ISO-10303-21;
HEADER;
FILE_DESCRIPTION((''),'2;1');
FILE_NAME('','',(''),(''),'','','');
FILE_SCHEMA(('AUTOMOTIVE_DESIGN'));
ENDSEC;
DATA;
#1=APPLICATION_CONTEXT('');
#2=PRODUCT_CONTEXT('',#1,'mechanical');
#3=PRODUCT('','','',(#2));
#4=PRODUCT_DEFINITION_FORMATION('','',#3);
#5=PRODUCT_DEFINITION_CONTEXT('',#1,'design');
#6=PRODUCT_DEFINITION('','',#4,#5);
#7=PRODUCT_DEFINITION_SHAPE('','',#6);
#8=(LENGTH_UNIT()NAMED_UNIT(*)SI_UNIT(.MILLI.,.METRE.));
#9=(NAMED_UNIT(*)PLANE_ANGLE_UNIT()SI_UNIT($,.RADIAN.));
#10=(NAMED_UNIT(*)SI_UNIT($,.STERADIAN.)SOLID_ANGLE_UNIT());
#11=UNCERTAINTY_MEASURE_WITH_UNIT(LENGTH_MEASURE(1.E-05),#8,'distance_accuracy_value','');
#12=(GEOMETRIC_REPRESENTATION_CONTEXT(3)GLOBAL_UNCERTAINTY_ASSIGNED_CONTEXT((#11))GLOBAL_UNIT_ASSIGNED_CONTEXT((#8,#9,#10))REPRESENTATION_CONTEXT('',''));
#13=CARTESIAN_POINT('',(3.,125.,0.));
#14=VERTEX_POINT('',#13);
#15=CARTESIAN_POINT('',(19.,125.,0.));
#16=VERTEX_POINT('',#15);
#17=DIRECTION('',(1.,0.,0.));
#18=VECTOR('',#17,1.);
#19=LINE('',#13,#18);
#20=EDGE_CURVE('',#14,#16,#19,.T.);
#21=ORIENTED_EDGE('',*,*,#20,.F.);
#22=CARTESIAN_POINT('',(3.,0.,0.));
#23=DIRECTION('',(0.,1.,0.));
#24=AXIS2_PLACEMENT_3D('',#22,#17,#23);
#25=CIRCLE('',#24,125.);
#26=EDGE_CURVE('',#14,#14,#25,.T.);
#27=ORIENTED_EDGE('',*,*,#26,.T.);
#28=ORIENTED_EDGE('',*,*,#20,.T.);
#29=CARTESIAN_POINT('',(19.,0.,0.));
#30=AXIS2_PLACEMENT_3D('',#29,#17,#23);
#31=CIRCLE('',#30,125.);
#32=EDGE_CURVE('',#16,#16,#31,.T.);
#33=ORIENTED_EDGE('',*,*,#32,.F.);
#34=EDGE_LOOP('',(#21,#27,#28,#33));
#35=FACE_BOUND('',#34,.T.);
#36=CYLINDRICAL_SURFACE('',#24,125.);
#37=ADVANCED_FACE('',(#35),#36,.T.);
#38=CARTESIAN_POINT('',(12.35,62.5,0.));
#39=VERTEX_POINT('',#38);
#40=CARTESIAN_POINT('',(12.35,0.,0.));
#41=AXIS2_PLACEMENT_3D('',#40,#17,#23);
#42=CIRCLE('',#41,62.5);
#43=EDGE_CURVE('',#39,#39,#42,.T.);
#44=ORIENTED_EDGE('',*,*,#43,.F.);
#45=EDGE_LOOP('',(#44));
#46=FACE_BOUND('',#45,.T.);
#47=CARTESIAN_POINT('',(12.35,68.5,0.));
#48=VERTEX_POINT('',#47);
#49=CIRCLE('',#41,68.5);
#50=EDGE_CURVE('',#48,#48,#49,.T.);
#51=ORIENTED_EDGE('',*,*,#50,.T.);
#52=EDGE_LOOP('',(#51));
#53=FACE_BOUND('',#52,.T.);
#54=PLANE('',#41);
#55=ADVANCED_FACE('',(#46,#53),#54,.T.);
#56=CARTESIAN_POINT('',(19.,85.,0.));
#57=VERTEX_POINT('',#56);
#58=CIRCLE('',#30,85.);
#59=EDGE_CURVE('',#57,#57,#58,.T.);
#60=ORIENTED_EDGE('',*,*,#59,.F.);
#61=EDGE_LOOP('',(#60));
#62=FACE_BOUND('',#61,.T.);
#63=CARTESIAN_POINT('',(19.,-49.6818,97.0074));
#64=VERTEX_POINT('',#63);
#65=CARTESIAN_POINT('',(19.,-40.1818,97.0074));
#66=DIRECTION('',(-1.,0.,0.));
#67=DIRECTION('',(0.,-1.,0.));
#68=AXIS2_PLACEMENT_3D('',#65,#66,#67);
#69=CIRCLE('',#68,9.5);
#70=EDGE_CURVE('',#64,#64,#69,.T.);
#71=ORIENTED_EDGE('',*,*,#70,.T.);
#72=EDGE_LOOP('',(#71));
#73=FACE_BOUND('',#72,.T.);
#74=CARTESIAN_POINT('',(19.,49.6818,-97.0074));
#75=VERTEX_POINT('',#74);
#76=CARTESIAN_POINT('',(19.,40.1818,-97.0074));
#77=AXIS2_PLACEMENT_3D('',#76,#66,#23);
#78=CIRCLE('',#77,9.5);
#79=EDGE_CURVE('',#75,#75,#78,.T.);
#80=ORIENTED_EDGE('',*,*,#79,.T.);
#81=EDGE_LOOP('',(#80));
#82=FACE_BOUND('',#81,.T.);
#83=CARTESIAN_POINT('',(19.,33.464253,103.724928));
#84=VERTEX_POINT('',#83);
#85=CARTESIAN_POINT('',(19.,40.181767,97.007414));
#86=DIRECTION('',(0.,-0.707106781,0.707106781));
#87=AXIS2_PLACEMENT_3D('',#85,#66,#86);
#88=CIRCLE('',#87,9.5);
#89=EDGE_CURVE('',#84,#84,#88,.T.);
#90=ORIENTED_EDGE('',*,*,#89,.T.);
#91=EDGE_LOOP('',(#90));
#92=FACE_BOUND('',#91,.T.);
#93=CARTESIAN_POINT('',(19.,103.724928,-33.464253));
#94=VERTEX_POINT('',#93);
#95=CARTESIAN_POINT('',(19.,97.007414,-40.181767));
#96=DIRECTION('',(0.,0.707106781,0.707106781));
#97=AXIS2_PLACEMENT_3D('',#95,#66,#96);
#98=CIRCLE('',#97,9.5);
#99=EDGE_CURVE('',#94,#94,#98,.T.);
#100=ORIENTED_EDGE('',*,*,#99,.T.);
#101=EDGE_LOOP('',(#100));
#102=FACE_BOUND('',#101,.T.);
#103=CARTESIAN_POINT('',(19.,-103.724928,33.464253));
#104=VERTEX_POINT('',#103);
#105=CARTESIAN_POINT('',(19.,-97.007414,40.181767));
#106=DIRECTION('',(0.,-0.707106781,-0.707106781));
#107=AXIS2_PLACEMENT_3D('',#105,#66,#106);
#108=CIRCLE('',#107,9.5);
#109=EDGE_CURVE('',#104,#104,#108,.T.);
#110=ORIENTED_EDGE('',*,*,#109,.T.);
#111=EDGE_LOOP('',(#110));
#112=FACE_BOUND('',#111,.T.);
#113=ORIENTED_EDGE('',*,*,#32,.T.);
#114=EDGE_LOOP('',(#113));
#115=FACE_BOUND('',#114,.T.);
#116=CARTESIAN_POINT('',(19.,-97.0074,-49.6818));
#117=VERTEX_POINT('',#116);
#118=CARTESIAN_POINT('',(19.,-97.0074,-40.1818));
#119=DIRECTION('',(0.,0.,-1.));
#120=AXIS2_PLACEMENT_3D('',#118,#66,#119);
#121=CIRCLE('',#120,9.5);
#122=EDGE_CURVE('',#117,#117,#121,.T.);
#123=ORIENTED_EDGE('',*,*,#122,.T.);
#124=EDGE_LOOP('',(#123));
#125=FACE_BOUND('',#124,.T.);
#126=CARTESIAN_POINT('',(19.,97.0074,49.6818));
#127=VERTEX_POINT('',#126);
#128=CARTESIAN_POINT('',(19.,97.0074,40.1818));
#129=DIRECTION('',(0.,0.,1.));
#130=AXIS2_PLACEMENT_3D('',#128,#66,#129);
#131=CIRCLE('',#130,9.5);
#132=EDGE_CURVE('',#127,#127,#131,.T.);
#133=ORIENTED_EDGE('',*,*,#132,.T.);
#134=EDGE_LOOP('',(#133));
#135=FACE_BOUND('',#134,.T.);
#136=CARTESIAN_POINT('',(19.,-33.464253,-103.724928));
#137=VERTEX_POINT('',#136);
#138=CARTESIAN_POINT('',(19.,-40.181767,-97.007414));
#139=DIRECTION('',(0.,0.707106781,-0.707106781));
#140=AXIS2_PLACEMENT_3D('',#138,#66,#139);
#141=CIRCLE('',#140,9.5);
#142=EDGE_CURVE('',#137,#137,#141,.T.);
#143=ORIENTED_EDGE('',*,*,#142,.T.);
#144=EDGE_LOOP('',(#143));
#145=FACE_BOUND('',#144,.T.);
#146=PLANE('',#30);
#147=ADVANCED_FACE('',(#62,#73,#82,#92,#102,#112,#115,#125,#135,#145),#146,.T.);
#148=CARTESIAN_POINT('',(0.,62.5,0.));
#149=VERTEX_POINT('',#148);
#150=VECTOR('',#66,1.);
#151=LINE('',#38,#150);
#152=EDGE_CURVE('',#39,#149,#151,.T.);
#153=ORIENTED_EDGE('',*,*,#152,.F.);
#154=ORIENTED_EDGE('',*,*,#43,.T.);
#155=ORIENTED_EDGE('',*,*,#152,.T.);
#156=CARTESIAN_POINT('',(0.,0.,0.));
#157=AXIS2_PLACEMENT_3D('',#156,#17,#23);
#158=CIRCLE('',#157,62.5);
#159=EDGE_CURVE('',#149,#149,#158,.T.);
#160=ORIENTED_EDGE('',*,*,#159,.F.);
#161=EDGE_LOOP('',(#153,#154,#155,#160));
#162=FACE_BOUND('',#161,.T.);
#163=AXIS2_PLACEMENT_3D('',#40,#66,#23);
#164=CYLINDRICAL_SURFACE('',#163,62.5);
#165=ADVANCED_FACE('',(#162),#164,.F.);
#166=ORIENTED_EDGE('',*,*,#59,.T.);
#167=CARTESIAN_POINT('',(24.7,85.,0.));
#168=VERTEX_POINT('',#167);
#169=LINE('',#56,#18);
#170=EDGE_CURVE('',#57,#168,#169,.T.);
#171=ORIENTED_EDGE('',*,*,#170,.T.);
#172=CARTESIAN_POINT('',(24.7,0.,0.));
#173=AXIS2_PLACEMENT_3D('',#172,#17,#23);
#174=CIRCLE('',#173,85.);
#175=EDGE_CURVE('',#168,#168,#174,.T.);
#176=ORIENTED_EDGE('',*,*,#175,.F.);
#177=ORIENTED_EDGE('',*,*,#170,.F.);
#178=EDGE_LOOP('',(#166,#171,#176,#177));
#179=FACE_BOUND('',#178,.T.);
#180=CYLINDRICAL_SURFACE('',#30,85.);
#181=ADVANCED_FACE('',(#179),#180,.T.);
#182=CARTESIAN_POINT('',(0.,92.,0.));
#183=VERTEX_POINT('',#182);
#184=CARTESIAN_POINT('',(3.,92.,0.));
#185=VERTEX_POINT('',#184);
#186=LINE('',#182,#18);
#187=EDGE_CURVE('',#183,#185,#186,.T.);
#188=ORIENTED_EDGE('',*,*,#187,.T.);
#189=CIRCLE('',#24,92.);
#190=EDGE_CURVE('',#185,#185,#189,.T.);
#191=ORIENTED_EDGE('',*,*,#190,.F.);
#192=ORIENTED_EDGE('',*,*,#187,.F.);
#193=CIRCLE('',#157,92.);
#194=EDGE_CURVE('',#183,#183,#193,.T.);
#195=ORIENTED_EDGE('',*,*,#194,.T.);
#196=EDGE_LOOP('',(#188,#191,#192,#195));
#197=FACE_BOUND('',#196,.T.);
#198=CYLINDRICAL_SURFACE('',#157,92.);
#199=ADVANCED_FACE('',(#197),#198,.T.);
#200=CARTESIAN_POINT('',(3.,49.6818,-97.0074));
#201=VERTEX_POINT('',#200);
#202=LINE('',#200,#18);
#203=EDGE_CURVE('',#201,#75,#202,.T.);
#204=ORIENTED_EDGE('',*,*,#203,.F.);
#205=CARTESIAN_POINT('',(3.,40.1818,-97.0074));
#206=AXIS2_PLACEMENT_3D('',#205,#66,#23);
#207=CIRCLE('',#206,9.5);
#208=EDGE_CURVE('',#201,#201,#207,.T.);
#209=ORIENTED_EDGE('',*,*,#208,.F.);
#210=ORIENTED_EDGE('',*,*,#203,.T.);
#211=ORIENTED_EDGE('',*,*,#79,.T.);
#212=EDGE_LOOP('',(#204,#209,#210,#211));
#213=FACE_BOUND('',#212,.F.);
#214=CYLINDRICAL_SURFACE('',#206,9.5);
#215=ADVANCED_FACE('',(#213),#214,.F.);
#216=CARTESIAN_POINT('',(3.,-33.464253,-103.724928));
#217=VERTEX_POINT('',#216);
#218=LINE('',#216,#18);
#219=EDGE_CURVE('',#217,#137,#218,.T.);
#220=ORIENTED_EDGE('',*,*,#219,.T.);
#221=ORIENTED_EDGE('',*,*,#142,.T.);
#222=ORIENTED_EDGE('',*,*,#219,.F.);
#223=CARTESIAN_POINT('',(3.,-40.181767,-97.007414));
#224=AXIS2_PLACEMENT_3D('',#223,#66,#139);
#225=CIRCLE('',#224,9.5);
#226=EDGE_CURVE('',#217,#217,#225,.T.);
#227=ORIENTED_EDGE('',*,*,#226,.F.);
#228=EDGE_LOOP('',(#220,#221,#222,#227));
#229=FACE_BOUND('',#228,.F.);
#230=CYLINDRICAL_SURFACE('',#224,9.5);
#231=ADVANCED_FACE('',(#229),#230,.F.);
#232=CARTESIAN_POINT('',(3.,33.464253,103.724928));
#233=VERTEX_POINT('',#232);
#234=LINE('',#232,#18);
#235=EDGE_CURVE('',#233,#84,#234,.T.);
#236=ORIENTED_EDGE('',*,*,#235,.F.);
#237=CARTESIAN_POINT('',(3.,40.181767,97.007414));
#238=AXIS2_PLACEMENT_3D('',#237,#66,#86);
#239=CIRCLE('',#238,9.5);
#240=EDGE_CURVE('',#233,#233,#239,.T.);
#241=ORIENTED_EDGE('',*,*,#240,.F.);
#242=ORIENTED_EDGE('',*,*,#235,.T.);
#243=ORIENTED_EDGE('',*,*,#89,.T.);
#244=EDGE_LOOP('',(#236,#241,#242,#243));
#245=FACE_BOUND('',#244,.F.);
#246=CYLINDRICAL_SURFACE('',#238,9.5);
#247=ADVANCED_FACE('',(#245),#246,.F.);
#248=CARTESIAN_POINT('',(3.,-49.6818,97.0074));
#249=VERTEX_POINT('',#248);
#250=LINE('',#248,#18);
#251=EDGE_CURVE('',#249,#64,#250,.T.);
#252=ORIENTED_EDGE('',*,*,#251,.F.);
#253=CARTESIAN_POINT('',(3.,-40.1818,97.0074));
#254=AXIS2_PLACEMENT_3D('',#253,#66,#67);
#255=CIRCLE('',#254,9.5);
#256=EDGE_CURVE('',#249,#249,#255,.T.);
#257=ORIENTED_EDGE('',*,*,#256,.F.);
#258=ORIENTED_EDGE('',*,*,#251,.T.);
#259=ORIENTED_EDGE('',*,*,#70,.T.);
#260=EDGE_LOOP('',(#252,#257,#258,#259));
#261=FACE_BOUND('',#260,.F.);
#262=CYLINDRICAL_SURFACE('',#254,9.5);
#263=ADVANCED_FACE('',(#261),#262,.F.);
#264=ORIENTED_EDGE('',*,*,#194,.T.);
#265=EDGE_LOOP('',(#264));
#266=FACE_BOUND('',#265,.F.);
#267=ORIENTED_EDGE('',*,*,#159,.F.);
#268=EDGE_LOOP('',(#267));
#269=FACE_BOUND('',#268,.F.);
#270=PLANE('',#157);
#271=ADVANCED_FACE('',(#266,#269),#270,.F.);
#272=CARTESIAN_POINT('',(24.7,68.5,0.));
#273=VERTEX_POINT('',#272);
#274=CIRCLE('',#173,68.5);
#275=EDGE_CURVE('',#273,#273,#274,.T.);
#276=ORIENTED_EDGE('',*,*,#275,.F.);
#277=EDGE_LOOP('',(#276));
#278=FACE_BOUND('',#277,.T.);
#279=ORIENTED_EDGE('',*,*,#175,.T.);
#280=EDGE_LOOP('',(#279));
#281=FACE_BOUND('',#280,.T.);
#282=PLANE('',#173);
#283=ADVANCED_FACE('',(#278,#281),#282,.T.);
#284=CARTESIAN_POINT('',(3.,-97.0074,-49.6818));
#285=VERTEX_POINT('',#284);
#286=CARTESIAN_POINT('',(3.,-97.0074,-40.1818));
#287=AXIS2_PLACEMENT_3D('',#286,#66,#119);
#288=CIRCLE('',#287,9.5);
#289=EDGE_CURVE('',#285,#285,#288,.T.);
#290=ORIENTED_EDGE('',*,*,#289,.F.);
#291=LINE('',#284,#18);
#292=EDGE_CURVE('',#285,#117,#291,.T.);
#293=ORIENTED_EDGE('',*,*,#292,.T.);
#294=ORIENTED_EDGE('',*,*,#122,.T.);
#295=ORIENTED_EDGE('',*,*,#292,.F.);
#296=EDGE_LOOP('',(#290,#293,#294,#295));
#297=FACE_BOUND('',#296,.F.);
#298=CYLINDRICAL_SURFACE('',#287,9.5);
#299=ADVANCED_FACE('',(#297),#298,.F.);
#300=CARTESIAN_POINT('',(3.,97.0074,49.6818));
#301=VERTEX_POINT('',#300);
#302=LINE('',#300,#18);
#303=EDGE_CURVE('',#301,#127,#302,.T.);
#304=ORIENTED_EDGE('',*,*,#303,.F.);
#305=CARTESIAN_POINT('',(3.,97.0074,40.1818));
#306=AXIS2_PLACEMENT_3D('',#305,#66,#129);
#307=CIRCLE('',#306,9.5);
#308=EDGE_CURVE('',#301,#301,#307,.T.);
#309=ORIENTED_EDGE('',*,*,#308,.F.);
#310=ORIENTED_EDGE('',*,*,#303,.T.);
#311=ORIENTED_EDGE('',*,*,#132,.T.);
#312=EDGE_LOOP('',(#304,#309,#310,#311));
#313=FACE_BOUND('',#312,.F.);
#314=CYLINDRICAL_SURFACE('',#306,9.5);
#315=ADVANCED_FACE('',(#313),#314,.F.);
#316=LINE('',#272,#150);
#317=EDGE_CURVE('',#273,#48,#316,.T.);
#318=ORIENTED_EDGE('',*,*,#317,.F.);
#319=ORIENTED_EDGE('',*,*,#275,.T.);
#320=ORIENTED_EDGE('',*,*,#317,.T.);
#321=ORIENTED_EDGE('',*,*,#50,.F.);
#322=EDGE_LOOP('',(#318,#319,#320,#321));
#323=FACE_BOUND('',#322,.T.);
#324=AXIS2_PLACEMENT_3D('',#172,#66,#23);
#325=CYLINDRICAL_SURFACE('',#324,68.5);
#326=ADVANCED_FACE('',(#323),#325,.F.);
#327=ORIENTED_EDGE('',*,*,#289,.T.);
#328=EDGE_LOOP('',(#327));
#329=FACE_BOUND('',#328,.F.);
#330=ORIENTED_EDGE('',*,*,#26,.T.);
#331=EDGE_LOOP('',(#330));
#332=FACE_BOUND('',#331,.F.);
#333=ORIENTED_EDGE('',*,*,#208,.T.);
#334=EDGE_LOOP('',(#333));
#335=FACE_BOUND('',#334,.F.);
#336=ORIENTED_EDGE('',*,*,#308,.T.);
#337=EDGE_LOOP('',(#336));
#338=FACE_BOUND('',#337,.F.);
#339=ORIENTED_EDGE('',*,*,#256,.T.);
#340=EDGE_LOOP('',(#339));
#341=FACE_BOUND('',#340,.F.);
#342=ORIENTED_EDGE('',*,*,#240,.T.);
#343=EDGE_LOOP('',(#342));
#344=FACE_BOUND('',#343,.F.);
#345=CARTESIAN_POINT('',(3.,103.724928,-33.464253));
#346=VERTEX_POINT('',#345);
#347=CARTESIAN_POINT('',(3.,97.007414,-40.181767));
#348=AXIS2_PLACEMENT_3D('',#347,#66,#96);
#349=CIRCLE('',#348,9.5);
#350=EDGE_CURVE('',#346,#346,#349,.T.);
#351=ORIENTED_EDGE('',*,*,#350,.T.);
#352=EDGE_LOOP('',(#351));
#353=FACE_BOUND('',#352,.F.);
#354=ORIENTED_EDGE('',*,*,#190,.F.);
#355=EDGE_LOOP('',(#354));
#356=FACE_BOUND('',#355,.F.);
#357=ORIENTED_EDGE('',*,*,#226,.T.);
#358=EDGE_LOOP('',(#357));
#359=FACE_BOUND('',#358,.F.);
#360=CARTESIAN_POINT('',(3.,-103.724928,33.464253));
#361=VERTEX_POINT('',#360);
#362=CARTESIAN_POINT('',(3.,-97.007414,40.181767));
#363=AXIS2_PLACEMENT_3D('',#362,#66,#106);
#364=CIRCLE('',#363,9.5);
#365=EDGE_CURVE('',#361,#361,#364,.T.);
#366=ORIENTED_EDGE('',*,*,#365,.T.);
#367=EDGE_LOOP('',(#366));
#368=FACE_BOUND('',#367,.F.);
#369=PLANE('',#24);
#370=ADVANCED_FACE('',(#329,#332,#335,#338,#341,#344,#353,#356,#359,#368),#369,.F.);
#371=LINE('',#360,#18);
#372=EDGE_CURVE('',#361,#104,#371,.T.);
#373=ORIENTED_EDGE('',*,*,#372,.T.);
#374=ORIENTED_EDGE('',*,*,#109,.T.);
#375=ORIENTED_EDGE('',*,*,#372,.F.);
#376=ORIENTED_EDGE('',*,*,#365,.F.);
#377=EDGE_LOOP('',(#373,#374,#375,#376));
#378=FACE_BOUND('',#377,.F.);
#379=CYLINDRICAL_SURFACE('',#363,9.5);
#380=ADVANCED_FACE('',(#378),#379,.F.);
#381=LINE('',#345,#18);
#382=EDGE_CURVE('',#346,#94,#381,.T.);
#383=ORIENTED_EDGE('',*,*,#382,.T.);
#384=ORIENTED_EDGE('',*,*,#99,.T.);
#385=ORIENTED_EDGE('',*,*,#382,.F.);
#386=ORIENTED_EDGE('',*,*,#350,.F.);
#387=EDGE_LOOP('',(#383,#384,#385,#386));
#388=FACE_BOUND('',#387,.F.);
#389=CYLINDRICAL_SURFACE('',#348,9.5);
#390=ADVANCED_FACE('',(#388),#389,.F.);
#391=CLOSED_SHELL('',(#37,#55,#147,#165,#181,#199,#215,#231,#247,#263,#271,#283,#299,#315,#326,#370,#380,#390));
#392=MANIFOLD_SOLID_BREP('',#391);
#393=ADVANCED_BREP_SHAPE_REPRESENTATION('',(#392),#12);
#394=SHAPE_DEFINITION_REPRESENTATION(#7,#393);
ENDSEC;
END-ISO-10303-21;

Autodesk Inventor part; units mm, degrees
ref_plane "YZ Plane" through (0, 0, 0) normal (1, 0, 0) x (0, 1, 0)
ref_plane "XZ Plane" through (0, 0, 0) normal (0, 1, 0) x (-1, 0, 0)
ref_plane "XY Plane" through (0, 0, 0) normal (0, 0, 1) x (1, 0, 0)
sketch "Sketch1" plane through (0, 0, 0) normal (0, 0, 1) x (1, 0, 0)
  line L0 (0, 0) -> (24.7, 0) construction
  line L1 (0, 92) -> (3, 92)
  line L2 (3, 125) -> (19, 125)
  line L3 (3, 125) -> (3, 92)
  line L4 (19, 125) -> (19, 85)
  line L5 (24.7, 68.5) -> (24.7, 0) construction
  line L6 (19, 85) -> (24.7, 85)
  line L7 (24.7, 85) -> (24.7, 68.5)
  line L8 (24.7, 68.5) -> (12.35, 68.5)
  line L9 (12.35, 68.5) -> (12.35, 62.5)
  line L10 (12.35, 62.5) -> (0, 62.5)
  line L11 (0, 62.5) -> (0, 0) construction
  line L12 (0, 92) -> (0, 62.5)
  dimension "d0" = 184
  dimension "d1" = 250
  dimension "d2" = 170
  dimension "d7" = 137
  dimension "d8" = 125
  dimension "d9" = 19
  dimension "d10" = 3
  dimension "d12" = 12.35
  dimension "d13" = 24.7
revolve "Revolution1" add sketch "Sketch1" angle 360 about axis through (0, 0, 0) along (1, 0, 0)
sketch "Sketch2" plane through (3, 0, 0) normal (-1, 0, 0) x (0, 0, 1)
  circle A0 centre (0, 0) radius 92 projected
  line L0 (0, 0) -> (0, 105) construction
  circle A1 centre (0, 0) radius 125 projected
  circle A2 centre (0, 0) radius 105 construction
  line L1 (0, 0) -> (40.1818, 97.0074) construction
  circle A3 centre (40.1818, 97.0074) radius 9.5
  dimension "d14" = 19
  dimension "d15" = 105
  dimension "d16" = 22.5
extrude "Extrusion1" cut sketch "Sketch2" against normal blind 19 contours A3
pattern_circular "Circular Pattern1" count 8 over 360 about axis through (1.5, 0, 0) along (1, 0, 0) of "Extrusion1"
equation "\"d0\" = D1"
equation "\"d1\" = D"
equation "\"d2\" = N3"
equation "\"d7\" = ID + 2 * t"
equation "\"d8\" = ID"
equation "\"d9\" = C1"
equation "\"d10\" = F1"
equation "\"d12\" = 0.65 * C1"
equation "\"d13\" = 1.3 * C1"
equation "\"d14\" = L"
equation "\"d15\" = 0.5 * K1"
equation "\"d3\" = C1"
equation "\"C1\" = 19"
equation "\"D\" = 250"
equation "\"L\" = 19"
equation "\"N3\" = 170"
equation "\"D1\" = 184"
equation "\"H1\" = 17"
equation "\"F1\" = 3"
equation "\"ID\" = 125"
equation "\"t\" = 6"
equation "\"Size_Designation\" = 1.2345"
equation "\"K1\" = 210"
properties part number "DIN EN 1092-2 Hubbed Socket Welding Flange Type 14 - PN 16 Ductile Iron DN125" material "Iron, Ductile"
